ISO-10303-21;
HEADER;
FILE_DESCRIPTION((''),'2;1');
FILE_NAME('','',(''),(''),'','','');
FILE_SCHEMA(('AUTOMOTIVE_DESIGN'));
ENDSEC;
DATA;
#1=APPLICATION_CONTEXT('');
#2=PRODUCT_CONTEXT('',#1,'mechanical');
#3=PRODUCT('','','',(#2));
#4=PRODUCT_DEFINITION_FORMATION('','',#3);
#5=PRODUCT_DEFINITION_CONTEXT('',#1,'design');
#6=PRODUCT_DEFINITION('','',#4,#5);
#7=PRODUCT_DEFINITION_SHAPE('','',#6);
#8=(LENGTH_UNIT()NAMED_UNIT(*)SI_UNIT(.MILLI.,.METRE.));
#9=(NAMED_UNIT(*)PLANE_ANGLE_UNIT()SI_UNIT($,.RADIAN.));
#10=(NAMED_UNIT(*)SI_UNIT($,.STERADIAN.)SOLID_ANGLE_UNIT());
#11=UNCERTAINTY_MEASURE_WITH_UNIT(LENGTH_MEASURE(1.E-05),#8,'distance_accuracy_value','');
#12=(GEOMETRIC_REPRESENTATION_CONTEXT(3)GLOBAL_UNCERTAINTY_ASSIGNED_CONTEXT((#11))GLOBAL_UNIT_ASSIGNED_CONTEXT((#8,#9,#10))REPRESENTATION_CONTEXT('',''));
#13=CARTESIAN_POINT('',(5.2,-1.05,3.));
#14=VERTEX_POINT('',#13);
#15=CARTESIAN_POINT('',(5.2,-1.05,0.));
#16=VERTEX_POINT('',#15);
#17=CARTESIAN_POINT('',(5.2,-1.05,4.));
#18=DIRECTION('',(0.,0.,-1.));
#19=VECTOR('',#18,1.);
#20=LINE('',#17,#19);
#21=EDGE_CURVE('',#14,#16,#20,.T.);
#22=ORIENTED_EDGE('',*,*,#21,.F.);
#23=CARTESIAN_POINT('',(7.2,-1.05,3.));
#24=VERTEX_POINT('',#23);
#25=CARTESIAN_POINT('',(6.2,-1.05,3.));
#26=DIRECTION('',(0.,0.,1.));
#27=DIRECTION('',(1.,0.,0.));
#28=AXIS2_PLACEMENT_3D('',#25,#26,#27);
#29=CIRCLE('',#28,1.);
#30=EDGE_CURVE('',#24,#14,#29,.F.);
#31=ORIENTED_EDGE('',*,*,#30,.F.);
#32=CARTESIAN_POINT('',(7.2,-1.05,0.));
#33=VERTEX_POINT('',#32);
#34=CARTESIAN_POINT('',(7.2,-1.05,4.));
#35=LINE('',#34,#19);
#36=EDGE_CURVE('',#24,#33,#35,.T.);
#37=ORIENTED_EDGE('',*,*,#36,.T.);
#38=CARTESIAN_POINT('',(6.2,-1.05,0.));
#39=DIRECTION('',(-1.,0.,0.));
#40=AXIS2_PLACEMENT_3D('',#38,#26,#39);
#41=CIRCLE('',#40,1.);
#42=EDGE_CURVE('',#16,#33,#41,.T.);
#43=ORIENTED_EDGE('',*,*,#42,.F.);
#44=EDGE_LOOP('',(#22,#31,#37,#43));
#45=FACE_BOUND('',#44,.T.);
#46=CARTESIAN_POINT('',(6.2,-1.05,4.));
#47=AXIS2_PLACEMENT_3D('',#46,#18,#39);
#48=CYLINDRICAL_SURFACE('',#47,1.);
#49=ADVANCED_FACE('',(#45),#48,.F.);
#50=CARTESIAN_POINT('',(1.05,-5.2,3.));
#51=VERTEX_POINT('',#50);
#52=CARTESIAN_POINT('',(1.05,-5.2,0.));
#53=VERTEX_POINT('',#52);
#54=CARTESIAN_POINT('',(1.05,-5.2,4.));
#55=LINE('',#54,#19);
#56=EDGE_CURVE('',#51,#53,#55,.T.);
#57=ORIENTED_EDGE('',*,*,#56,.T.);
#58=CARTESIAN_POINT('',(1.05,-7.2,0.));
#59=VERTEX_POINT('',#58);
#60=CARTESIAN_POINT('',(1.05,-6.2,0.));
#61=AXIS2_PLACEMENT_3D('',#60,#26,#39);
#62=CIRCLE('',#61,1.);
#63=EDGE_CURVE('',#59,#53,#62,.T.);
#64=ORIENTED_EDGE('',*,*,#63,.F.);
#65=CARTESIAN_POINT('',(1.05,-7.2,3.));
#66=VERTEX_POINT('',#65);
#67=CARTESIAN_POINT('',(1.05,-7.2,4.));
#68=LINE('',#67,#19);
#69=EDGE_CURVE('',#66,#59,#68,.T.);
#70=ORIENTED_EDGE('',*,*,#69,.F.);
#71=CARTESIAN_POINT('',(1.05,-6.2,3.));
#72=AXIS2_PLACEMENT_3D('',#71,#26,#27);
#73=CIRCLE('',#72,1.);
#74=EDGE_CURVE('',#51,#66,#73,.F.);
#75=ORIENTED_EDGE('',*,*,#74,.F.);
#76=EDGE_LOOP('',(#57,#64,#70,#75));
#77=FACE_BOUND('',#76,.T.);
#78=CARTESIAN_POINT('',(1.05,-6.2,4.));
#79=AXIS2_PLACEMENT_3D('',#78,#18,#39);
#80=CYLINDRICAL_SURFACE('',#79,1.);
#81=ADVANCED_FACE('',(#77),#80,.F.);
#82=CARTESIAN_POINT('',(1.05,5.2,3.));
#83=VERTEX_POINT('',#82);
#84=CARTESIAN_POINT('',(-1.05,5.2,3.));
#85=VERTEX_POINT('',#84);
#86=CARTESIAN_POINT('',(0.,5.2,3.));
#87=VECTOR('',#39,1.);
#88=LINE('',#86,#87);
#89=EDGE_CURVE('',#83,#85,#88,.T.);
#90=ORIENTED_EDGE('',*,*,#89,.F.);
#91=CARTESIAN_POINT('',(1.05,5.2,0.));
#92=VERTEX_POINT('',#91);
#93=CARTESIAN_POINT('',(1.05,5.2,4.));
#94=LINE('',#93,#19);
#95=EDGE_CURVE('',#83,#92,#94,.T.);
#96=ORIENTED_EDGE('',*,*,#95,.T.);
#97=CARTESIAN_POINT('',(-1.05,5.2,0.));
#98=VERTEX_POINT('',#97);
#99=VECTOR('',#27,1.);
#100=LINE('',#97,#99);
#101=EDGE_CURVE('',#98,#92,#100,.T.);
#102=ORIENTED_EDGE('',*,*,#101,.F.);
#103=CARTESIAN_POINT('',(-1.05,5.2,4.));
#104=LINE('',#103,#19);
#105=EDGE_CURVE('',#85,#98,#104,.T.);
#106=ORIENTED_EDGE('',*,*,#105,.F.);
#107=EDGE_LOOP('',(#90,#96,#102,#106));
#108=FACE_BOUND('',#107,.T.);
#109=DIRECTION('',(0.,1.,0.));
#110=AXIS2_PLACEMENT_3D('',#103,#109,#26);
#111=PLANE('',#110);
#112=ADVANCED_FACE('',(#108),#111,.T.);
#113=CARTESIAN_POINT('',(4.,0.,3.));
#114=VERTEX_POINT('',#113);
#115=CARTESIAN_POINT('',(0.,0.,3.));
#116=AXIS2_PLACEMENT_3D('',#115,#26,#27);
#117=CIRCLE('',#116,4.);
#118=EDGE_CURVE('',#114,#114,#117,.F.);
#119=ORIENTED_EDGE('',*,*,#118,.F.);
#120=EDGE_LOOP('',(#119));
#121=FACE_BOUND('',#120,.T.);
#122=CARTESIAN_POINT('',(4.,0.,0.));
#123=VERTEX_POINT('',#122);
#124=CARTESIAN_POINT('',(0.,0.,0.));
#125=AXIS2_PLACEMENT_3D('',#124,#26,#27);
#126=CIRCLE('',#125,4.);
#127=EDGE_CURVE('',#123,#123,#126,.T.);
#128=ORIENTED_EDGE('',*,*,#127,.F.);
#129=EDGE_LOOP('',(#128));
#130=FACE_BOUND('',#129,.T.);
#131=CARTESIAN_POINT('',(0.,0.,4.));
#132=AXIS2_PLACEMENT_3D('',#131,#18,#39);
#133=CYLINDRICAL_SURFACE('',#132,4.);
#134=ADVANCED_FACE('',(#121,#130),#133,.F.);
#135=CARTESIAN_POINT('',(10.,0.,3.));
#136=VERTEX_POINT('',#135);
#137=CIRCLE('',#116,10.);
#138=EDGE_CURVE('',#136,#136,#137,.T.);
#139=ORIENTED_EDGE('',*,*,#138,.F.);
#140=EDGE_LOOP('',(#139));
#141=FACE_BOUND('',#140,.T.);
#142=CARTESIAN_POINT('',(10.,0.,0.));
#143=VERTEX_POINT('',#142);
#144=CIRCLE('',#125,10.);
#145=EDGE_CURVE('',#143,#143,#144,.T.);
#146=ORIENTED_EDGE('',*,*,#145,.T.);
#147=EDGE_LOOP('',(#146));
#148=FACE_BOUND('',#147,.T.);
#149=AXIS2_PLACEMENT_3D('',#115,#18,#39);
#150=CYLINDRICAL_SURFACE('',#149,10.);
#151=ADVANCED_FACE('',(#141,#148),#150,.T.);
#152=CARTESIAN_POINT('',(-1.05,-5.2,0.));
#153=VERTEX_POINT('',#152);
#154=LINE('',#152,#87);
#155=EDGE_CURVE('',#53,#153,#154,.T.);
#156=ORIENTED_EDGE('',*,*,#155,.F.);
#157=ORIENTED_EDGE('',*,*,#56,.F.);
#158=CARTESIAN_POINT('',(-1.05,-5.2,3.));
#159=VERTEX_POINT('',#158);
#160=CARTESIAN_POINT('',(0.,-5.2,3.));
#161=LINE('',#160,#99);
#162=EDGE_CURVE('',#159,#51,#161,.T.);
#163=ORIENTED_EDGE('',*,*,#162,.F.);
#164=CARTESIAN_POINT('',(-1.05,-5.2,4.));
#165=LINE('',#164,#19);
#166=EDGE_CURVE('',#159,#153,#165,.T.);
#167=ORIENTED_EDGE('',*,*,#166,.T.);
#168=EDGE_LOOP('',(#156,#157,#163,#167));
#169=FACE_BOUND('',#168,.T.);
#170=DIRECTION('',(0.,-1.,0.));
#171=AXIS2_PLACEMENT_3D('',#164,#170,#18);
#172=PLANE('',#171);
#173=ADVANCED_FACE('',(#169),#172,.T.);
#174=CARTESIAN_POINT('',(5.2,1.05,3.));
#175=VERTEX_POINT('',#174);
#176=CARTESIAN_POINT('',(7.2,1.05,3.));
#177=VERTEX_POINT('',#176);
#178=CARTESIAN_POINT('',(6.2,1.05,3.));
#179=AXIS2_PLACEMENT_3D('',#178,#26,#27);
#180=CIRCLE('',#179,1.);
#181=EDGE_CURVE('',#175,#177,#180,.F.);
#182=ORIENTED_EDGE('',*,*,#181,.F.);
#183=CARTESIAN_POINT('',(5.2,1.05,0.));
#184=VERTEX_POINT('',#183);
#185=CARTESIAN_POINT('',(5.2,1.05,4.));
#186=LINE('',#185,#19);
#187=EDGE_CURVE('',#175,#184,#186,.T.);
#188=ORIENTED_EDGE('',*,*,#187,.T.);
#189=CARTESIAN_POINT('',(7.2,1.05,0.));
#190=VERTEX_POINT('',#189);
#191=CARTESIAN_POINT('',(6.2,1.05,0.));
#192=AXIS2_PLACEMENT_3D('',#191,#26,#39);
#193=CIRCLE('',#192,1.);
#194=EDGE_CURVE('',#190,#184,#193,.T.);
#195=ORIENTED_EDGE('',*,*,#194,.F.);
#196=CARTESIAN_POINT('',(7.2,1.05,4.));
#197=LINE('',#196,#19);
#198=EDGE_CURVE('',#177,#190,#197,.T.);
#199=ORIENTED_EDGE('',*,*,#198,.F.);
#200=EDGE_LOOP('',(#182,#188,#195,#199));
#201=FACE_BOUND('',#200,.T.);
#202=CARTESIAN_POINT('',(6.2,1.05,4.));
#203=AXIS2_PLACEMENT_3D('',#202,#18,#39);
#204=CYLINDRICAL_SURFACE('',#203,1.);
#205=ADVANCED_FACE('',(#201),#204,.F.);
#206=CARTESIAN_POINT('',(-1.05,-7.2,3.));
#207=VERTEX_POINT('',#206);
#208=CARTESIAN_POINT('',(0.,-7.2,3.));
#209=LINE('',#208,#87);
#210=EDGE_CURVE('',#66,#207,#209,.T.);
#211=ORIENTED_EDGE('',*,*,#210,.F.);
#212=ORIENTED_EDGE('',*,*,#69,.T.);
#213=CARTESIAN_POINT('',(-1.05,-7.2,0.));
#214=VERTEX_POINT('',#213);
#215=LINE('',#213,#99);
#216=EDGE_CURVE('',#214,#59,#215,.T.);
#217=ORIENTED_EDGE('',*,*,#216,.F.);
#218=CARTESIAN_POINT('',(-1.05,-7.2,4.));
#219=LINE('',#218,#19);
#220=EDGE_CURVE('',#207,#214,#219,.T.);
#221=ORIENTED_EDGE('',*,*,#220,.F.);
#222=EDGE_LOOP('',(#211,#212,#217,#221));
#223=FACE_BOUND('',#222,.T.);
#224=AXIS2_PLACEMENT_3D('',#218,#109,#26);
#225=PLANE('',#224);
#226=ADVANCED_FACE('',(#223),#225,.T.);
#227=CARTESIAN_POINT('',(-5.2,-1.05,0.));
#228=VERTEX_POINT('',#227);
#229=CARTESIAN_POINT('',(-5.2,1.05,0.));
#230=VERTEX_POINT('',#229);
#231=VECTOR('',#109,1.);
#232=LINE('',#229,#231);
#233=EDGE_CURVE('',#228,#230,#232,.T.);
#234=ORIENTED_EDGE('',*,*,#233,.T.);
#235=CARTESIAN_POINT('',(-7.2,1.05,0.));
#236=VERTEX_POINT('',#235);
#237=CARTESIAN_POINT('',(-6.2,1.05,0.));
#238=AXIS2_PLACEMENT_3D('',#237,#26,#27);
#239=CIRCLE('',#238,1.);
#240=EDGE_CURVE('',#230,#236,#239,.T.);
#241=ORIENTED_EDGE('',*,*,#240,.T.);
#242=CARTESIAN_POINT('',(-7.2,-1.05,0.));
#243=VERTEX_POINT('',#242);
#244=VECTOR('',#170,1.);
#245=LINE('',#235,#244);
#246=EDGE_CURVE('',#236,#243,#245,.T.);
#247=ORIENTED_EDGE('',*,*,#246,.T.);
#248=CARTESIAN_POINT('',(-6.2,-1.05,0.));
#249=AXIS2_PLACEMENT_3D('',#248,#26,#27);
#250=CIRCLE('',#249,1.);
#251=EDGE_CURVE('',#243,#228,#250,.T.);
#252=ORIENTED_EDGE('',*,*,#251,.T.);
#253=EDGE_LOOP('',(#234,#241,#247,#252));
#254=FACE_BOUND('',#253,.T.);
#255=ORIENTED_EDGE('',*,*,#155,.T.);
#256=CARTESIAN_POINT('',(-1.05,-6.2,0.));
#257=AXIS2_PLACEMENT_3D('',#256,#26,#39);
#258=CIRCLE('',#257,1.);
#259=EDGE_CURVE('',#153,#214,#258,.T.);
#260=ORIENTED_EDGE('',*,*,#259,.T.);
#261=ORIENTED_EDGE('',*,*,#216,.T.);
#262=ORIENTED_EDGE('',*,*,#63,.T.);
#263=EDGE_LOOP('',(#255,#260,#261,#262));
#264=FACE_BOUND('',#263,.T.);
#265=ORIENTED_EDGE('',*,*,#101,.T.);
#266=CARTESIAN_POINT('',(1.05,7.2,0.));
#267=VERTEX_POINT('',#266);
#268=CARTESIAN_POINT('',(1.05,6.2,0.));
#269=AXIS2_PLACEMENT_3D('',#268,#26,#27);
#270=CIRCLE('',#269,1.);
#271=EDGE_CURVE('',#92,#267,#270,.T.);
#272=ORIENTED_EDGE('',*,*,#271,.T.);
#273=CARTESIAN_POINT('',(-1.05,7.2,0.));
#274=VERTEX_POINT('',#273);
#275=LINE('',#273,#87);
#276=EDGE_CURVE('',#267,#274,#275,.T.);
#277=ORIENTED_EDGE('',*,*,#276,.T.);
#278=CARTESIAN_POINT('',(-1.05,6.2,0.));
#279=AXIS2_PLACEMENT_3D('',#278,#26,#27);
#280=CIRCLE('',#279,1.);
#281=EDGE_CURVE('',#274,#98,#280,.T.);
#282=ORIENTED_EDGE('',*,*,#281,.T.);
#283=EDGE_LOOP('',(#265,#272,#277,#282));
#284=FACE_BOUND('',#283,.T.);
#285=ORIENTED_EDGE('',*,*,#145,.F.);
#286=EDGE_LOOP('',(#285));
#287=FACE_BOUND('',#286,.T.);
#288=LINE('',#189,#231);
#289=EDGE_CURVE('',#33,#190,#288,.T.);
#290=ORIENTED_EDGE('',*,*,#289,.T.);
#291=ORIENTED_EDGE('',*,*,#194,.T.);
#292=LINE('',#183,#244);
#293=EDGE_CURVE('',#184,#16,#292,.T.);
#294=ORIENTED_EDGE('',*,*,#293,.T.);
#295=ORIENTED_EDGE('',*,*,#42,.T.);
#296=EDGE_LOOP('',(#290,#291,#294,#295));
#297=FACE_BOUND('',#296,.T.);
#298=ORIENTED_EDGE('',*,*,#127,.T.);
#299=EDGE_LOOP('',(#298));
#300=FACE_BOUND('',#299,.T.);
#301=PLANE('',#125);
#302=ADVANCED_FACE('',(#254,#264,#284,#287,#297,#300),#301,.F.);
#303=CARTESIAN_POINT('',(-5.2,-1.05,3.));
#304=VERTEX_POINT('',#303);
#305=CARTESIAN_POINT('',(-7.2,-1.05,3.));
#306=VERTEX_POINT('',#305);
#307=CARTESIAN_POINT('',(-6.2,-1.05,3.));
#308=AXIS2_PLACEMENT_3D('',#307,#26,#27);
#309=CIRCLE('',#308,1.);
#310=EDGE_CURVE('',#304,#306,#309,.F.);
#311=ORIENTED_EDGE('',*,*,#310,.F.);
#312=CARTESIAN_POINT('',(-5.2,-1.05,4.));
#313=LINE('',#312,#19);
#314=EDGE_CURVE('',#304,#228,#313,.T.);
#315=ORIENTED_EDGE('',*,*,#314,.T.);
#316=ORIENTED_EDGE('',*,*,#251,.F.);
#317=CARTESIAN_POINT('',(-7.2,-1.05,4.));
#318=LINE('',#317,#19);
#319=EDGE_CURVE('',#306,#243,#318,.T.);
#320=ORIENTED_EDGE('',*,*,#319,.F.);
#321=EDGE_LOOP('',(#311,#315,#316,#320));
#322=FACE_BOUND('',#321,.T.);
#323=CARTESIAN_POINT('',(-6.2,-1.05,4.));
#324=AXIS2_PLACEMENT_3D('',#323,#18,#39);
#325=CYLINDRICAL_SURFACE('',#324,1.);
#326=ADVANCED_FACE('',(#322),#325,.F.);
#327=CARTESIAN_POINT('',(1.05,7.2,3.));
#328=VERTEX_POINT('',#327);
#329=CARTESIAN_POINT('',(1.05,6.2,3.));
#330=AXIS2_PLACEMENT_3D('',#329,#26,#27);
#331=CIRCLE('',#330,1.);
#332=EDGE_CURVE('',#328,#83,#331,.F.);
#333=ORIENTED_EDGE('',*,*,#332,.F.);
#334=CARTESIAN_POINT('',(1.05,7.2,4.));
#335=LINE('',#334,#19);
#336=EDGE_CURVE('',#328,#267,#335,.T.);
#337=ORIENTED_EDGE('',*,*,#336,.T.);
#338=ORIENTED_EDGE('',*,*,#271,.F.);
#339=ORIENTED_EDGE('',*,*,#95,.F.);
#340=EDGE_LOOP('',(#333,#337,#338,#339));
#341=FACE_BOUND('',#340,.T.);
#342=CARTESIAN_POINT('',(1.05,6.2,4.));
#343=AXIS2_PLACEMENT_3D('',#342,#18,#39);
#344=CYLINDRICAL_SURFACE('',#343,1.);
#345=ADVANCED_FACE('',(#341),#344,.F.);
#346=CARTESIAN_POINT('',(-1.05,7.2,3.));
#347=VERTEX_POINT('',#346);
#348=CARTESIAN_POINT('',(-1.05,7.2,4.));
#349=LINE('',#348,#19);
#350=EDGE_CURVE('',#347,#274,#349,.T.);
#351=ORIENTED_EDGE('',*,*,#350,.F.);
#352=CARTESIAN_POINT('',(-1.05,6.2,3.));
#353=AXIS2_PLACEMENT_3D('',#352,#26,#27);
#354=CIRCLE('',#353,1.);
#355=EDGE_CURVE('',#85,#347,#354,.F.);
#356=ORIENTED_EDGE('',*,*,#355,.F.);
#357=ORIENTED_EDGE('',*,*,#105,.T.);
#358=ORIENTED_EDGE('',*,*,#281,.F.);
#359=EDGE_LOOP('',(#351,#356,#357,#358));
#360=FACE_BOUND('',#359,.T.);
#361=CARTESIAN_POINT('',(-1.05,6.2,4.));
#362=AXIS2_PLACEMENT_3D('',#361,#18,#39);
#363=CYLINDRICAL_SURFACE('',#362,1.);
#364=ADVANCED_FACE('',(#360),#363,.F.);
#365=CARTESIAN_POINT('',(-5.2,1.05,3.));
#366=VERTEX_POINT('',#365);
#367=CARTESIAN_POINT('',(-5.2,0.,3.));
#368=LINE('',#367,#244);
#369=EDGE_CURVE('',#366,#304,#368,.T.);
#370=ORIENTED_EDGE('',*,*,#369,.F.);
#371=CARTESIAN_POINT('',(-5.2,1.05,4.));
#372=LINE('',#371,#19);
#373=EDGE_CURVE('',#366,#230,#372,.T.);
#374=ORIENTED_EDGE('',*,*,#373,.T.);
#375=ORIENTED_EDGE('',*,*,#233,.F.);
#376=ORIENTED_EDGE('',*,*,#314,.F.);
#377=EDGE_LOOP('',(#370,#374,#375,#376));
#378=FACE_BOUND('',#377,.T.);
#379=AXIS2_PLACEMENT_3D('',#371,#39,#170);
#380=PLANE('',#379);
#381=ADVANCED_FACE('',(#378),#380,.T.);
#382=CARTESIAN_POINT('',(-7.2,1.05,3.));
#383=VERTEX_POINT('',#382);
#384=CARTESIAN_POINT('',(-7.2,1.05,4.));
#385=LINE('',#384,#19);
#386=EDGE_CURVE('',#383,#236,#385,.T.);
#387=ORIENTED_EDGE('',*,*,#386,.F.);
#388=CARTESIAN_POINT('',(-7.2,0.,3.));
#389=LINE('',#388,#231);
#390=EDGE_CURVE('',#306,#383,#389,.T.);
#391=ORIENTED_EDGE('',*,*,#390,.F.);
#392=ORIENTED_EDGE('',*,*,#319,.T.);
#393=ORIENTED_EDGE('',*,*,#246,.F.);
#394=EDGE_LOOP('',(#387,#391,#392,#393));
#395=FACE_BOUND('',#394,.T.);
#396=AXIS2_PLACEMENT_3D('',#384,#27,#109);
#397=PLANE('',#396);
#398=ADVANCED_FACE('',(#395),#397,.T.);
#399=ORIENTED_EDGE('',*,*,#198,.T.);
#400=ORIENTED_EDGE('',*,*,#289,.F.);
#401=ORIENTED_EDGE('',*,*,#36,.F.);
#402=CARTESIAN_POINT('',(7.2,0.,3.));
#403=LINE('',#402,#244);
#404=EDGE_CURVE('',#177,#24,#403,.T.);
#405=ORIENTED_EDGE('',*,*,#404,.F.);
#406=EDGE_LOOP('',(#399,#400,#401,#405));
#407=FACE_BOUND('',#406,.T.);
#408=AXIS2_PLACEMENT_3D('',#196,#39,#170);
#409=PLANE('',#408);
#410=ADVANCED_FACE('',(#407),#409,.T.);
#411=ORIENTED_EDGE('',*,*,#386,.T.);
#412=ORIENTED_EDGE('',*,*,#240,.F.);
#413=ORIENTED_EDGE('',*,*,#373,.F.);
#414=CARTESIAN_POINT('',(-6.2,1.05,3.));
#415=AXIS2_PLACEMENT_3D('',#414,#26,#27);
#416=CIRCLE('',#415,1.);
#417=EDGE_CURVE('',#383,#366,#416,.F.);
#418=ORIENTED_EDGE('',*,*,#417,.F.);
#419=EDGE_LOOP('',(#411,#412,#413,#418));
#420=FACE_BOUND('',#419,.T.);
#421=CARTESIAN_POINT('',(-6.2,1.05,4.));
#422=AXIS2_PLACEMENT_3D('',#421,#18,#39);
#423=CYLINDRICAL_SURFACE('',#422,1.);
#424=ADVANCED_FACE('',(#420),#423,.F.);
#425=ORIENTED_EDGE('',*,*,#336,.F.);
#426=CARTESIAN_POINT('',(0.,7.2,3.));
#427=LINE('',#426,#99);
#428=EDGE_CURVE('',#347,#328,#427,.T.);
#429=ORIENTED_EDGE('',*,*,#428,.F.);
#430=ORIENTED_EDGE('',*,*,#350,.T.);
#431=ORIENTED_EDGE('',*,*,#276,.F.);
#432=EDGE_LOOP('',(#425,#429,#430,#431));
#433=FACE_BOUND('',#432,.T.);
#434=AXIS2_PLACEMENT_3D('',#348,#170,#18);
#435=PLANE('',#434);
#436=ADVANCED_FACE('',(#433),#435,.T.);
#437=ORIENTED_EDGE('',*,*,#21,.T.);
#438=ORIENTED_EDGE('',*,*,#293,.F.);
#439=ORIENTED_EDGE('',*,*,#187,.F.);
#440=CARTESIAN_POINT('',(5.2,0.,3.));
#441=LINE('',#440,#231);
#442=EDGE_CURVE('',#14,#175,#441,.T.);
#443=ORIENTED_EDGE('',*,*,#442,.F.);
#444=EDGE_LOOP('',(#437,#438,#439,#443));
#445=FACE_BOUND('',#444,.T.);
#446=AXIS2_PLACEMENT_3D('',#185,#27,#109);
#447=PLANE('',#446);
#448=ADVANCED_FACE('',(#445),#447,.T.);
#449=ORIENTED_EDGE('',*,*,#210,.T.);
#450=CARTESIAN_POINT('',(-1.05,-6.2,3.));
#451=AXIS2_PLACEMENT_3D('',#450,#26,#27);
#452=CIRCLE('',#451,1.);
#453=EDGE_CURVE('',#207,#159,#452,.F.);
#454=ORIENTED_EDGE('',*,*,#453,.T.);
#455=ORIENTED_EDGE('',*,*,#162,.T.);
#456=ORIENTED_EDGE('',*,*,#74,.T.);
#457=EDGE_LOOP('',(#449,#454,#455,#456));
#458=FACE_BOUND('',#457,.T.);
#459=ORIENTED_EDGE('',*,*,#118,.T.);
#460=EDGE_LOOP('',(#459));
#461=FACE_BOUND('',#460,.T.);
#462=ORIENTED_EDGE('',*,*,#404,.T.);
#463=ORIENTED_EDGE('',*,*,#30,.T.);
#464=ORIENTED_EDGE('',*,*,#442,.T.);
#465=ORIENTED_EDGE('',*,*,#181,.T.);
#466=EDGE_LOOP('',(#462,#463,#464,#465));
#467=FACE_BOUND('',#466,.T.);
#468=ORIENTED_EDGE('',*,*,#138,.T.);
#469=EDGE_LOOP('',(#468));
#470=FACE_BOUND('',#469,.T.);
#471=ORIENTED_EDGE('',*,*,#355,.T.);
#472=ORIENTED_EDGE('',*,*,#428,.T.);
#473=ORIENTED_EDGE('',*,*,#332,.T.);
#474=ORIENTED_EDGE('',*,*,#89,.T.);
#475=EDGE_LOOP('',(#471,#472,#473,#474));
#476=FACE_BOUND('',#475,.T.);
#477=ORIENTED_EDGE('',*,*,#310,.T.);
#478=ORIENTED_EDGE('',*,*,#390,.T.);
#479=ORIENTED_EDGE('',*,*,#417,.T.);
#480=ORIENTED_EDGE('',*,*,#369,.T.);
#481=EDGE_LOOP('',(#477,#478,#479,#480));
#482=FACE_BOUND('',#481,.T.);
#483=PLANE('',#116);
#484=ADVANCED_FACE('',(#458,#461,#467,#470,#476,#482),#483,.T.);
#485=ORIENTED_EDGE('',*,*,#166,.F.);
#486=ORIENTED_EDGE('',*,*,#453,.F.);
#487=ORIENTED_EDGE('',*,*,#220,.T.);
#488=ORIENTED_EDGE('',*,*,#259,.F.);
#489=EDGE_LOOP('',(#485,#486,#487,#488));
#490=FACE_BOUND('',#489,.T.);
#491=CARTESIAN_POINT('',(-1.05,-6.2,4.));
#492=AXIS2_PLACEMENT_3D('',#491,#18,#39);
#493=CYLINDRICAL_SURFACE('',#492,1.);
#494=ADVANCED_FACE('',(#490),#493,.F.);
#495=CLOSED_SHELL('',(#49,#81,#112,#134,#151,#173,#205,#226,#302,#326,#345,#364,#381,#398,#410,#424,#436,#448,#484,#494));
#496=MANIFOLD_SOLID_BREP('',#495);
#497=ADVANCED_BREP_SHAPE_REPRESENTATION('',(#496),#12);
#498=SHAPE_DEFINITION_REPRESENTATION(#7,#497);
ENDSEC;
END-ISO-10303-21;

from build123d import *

# Parameters (mm, degrees)
SKETCH_1_R          = 10
EXTRUDE_1_DEPTH     = 3
SKETCH_2_R          = 4
CUT_EXTRUDE_1_DEPTH = 4


with BuildPart() as part:
    # 草圖1 → 填料-伸長1 (new body)
    with BuildSketch(Plane.XY):
        Circle(SKETCH_1_R)
    extrude(amount=EXTRUDE_1_DEPTH)

    # 草圖2 → 除料-伸長1 (cut)
    with BuildSketch(Plane.XY):
        Circle(SKETCH_2_R)
        with BuildLine():
            Line((-1.05, 7.2), (1.05, 7.2))
            ThreePointArc((1.05, 7.2), (2.05, 6.2), (1.05, 5.2))
            Line((1.05, 5.2), (-1.05, 5.2))
            ThreePointArc((-1.05, 5.2), (-2.05, 6.2), (-1.05, 7.2))
        make_face()
        with BuildLine():
            Line((-5.2, 1.05), (-5.2, -1.05))
            ThreePointArc((-5.2, -1.05), (-6.2, -2.05), (-7.2, -1.05))
            Line((-7.2, -1.05), (-7.2, 1.05))
            ThreePointArc((-7.2, 1.05), (-6.2, 2.05), (-5.2, 1.05))
        make_face()
        with BuildLine():
            Line((5.2, 1.05), (5.2, -1.05))
            ThreePointArc((5.2, -1.05), (6.2, -2.05), (7.2, -1.05))
            Line((7.2, -1.05), (7.2, 1.05))
            ThreePointArc((7.2, 1.05), (6.2, 2.05), (5.2, 1.05))
        make_face()
        with BuildLine():
            Line((-1.05, -7.2), (1.05, -7.2))
            ThreePointArc((1.05, -7.2), (2.05, -6.2), (1.05, -5.2))
            Line((1.05, -5.2), (-1.05, -5.2))
            ThreePointArc((-1.05, -5.2), (-2.05, -6.2), (-1.05, -7.2))
        make_face()
    extrude(amount=CUT_EXTRUDE_1_DEPTH, mode=Mode.SUBTRACT)


solid = part.part
